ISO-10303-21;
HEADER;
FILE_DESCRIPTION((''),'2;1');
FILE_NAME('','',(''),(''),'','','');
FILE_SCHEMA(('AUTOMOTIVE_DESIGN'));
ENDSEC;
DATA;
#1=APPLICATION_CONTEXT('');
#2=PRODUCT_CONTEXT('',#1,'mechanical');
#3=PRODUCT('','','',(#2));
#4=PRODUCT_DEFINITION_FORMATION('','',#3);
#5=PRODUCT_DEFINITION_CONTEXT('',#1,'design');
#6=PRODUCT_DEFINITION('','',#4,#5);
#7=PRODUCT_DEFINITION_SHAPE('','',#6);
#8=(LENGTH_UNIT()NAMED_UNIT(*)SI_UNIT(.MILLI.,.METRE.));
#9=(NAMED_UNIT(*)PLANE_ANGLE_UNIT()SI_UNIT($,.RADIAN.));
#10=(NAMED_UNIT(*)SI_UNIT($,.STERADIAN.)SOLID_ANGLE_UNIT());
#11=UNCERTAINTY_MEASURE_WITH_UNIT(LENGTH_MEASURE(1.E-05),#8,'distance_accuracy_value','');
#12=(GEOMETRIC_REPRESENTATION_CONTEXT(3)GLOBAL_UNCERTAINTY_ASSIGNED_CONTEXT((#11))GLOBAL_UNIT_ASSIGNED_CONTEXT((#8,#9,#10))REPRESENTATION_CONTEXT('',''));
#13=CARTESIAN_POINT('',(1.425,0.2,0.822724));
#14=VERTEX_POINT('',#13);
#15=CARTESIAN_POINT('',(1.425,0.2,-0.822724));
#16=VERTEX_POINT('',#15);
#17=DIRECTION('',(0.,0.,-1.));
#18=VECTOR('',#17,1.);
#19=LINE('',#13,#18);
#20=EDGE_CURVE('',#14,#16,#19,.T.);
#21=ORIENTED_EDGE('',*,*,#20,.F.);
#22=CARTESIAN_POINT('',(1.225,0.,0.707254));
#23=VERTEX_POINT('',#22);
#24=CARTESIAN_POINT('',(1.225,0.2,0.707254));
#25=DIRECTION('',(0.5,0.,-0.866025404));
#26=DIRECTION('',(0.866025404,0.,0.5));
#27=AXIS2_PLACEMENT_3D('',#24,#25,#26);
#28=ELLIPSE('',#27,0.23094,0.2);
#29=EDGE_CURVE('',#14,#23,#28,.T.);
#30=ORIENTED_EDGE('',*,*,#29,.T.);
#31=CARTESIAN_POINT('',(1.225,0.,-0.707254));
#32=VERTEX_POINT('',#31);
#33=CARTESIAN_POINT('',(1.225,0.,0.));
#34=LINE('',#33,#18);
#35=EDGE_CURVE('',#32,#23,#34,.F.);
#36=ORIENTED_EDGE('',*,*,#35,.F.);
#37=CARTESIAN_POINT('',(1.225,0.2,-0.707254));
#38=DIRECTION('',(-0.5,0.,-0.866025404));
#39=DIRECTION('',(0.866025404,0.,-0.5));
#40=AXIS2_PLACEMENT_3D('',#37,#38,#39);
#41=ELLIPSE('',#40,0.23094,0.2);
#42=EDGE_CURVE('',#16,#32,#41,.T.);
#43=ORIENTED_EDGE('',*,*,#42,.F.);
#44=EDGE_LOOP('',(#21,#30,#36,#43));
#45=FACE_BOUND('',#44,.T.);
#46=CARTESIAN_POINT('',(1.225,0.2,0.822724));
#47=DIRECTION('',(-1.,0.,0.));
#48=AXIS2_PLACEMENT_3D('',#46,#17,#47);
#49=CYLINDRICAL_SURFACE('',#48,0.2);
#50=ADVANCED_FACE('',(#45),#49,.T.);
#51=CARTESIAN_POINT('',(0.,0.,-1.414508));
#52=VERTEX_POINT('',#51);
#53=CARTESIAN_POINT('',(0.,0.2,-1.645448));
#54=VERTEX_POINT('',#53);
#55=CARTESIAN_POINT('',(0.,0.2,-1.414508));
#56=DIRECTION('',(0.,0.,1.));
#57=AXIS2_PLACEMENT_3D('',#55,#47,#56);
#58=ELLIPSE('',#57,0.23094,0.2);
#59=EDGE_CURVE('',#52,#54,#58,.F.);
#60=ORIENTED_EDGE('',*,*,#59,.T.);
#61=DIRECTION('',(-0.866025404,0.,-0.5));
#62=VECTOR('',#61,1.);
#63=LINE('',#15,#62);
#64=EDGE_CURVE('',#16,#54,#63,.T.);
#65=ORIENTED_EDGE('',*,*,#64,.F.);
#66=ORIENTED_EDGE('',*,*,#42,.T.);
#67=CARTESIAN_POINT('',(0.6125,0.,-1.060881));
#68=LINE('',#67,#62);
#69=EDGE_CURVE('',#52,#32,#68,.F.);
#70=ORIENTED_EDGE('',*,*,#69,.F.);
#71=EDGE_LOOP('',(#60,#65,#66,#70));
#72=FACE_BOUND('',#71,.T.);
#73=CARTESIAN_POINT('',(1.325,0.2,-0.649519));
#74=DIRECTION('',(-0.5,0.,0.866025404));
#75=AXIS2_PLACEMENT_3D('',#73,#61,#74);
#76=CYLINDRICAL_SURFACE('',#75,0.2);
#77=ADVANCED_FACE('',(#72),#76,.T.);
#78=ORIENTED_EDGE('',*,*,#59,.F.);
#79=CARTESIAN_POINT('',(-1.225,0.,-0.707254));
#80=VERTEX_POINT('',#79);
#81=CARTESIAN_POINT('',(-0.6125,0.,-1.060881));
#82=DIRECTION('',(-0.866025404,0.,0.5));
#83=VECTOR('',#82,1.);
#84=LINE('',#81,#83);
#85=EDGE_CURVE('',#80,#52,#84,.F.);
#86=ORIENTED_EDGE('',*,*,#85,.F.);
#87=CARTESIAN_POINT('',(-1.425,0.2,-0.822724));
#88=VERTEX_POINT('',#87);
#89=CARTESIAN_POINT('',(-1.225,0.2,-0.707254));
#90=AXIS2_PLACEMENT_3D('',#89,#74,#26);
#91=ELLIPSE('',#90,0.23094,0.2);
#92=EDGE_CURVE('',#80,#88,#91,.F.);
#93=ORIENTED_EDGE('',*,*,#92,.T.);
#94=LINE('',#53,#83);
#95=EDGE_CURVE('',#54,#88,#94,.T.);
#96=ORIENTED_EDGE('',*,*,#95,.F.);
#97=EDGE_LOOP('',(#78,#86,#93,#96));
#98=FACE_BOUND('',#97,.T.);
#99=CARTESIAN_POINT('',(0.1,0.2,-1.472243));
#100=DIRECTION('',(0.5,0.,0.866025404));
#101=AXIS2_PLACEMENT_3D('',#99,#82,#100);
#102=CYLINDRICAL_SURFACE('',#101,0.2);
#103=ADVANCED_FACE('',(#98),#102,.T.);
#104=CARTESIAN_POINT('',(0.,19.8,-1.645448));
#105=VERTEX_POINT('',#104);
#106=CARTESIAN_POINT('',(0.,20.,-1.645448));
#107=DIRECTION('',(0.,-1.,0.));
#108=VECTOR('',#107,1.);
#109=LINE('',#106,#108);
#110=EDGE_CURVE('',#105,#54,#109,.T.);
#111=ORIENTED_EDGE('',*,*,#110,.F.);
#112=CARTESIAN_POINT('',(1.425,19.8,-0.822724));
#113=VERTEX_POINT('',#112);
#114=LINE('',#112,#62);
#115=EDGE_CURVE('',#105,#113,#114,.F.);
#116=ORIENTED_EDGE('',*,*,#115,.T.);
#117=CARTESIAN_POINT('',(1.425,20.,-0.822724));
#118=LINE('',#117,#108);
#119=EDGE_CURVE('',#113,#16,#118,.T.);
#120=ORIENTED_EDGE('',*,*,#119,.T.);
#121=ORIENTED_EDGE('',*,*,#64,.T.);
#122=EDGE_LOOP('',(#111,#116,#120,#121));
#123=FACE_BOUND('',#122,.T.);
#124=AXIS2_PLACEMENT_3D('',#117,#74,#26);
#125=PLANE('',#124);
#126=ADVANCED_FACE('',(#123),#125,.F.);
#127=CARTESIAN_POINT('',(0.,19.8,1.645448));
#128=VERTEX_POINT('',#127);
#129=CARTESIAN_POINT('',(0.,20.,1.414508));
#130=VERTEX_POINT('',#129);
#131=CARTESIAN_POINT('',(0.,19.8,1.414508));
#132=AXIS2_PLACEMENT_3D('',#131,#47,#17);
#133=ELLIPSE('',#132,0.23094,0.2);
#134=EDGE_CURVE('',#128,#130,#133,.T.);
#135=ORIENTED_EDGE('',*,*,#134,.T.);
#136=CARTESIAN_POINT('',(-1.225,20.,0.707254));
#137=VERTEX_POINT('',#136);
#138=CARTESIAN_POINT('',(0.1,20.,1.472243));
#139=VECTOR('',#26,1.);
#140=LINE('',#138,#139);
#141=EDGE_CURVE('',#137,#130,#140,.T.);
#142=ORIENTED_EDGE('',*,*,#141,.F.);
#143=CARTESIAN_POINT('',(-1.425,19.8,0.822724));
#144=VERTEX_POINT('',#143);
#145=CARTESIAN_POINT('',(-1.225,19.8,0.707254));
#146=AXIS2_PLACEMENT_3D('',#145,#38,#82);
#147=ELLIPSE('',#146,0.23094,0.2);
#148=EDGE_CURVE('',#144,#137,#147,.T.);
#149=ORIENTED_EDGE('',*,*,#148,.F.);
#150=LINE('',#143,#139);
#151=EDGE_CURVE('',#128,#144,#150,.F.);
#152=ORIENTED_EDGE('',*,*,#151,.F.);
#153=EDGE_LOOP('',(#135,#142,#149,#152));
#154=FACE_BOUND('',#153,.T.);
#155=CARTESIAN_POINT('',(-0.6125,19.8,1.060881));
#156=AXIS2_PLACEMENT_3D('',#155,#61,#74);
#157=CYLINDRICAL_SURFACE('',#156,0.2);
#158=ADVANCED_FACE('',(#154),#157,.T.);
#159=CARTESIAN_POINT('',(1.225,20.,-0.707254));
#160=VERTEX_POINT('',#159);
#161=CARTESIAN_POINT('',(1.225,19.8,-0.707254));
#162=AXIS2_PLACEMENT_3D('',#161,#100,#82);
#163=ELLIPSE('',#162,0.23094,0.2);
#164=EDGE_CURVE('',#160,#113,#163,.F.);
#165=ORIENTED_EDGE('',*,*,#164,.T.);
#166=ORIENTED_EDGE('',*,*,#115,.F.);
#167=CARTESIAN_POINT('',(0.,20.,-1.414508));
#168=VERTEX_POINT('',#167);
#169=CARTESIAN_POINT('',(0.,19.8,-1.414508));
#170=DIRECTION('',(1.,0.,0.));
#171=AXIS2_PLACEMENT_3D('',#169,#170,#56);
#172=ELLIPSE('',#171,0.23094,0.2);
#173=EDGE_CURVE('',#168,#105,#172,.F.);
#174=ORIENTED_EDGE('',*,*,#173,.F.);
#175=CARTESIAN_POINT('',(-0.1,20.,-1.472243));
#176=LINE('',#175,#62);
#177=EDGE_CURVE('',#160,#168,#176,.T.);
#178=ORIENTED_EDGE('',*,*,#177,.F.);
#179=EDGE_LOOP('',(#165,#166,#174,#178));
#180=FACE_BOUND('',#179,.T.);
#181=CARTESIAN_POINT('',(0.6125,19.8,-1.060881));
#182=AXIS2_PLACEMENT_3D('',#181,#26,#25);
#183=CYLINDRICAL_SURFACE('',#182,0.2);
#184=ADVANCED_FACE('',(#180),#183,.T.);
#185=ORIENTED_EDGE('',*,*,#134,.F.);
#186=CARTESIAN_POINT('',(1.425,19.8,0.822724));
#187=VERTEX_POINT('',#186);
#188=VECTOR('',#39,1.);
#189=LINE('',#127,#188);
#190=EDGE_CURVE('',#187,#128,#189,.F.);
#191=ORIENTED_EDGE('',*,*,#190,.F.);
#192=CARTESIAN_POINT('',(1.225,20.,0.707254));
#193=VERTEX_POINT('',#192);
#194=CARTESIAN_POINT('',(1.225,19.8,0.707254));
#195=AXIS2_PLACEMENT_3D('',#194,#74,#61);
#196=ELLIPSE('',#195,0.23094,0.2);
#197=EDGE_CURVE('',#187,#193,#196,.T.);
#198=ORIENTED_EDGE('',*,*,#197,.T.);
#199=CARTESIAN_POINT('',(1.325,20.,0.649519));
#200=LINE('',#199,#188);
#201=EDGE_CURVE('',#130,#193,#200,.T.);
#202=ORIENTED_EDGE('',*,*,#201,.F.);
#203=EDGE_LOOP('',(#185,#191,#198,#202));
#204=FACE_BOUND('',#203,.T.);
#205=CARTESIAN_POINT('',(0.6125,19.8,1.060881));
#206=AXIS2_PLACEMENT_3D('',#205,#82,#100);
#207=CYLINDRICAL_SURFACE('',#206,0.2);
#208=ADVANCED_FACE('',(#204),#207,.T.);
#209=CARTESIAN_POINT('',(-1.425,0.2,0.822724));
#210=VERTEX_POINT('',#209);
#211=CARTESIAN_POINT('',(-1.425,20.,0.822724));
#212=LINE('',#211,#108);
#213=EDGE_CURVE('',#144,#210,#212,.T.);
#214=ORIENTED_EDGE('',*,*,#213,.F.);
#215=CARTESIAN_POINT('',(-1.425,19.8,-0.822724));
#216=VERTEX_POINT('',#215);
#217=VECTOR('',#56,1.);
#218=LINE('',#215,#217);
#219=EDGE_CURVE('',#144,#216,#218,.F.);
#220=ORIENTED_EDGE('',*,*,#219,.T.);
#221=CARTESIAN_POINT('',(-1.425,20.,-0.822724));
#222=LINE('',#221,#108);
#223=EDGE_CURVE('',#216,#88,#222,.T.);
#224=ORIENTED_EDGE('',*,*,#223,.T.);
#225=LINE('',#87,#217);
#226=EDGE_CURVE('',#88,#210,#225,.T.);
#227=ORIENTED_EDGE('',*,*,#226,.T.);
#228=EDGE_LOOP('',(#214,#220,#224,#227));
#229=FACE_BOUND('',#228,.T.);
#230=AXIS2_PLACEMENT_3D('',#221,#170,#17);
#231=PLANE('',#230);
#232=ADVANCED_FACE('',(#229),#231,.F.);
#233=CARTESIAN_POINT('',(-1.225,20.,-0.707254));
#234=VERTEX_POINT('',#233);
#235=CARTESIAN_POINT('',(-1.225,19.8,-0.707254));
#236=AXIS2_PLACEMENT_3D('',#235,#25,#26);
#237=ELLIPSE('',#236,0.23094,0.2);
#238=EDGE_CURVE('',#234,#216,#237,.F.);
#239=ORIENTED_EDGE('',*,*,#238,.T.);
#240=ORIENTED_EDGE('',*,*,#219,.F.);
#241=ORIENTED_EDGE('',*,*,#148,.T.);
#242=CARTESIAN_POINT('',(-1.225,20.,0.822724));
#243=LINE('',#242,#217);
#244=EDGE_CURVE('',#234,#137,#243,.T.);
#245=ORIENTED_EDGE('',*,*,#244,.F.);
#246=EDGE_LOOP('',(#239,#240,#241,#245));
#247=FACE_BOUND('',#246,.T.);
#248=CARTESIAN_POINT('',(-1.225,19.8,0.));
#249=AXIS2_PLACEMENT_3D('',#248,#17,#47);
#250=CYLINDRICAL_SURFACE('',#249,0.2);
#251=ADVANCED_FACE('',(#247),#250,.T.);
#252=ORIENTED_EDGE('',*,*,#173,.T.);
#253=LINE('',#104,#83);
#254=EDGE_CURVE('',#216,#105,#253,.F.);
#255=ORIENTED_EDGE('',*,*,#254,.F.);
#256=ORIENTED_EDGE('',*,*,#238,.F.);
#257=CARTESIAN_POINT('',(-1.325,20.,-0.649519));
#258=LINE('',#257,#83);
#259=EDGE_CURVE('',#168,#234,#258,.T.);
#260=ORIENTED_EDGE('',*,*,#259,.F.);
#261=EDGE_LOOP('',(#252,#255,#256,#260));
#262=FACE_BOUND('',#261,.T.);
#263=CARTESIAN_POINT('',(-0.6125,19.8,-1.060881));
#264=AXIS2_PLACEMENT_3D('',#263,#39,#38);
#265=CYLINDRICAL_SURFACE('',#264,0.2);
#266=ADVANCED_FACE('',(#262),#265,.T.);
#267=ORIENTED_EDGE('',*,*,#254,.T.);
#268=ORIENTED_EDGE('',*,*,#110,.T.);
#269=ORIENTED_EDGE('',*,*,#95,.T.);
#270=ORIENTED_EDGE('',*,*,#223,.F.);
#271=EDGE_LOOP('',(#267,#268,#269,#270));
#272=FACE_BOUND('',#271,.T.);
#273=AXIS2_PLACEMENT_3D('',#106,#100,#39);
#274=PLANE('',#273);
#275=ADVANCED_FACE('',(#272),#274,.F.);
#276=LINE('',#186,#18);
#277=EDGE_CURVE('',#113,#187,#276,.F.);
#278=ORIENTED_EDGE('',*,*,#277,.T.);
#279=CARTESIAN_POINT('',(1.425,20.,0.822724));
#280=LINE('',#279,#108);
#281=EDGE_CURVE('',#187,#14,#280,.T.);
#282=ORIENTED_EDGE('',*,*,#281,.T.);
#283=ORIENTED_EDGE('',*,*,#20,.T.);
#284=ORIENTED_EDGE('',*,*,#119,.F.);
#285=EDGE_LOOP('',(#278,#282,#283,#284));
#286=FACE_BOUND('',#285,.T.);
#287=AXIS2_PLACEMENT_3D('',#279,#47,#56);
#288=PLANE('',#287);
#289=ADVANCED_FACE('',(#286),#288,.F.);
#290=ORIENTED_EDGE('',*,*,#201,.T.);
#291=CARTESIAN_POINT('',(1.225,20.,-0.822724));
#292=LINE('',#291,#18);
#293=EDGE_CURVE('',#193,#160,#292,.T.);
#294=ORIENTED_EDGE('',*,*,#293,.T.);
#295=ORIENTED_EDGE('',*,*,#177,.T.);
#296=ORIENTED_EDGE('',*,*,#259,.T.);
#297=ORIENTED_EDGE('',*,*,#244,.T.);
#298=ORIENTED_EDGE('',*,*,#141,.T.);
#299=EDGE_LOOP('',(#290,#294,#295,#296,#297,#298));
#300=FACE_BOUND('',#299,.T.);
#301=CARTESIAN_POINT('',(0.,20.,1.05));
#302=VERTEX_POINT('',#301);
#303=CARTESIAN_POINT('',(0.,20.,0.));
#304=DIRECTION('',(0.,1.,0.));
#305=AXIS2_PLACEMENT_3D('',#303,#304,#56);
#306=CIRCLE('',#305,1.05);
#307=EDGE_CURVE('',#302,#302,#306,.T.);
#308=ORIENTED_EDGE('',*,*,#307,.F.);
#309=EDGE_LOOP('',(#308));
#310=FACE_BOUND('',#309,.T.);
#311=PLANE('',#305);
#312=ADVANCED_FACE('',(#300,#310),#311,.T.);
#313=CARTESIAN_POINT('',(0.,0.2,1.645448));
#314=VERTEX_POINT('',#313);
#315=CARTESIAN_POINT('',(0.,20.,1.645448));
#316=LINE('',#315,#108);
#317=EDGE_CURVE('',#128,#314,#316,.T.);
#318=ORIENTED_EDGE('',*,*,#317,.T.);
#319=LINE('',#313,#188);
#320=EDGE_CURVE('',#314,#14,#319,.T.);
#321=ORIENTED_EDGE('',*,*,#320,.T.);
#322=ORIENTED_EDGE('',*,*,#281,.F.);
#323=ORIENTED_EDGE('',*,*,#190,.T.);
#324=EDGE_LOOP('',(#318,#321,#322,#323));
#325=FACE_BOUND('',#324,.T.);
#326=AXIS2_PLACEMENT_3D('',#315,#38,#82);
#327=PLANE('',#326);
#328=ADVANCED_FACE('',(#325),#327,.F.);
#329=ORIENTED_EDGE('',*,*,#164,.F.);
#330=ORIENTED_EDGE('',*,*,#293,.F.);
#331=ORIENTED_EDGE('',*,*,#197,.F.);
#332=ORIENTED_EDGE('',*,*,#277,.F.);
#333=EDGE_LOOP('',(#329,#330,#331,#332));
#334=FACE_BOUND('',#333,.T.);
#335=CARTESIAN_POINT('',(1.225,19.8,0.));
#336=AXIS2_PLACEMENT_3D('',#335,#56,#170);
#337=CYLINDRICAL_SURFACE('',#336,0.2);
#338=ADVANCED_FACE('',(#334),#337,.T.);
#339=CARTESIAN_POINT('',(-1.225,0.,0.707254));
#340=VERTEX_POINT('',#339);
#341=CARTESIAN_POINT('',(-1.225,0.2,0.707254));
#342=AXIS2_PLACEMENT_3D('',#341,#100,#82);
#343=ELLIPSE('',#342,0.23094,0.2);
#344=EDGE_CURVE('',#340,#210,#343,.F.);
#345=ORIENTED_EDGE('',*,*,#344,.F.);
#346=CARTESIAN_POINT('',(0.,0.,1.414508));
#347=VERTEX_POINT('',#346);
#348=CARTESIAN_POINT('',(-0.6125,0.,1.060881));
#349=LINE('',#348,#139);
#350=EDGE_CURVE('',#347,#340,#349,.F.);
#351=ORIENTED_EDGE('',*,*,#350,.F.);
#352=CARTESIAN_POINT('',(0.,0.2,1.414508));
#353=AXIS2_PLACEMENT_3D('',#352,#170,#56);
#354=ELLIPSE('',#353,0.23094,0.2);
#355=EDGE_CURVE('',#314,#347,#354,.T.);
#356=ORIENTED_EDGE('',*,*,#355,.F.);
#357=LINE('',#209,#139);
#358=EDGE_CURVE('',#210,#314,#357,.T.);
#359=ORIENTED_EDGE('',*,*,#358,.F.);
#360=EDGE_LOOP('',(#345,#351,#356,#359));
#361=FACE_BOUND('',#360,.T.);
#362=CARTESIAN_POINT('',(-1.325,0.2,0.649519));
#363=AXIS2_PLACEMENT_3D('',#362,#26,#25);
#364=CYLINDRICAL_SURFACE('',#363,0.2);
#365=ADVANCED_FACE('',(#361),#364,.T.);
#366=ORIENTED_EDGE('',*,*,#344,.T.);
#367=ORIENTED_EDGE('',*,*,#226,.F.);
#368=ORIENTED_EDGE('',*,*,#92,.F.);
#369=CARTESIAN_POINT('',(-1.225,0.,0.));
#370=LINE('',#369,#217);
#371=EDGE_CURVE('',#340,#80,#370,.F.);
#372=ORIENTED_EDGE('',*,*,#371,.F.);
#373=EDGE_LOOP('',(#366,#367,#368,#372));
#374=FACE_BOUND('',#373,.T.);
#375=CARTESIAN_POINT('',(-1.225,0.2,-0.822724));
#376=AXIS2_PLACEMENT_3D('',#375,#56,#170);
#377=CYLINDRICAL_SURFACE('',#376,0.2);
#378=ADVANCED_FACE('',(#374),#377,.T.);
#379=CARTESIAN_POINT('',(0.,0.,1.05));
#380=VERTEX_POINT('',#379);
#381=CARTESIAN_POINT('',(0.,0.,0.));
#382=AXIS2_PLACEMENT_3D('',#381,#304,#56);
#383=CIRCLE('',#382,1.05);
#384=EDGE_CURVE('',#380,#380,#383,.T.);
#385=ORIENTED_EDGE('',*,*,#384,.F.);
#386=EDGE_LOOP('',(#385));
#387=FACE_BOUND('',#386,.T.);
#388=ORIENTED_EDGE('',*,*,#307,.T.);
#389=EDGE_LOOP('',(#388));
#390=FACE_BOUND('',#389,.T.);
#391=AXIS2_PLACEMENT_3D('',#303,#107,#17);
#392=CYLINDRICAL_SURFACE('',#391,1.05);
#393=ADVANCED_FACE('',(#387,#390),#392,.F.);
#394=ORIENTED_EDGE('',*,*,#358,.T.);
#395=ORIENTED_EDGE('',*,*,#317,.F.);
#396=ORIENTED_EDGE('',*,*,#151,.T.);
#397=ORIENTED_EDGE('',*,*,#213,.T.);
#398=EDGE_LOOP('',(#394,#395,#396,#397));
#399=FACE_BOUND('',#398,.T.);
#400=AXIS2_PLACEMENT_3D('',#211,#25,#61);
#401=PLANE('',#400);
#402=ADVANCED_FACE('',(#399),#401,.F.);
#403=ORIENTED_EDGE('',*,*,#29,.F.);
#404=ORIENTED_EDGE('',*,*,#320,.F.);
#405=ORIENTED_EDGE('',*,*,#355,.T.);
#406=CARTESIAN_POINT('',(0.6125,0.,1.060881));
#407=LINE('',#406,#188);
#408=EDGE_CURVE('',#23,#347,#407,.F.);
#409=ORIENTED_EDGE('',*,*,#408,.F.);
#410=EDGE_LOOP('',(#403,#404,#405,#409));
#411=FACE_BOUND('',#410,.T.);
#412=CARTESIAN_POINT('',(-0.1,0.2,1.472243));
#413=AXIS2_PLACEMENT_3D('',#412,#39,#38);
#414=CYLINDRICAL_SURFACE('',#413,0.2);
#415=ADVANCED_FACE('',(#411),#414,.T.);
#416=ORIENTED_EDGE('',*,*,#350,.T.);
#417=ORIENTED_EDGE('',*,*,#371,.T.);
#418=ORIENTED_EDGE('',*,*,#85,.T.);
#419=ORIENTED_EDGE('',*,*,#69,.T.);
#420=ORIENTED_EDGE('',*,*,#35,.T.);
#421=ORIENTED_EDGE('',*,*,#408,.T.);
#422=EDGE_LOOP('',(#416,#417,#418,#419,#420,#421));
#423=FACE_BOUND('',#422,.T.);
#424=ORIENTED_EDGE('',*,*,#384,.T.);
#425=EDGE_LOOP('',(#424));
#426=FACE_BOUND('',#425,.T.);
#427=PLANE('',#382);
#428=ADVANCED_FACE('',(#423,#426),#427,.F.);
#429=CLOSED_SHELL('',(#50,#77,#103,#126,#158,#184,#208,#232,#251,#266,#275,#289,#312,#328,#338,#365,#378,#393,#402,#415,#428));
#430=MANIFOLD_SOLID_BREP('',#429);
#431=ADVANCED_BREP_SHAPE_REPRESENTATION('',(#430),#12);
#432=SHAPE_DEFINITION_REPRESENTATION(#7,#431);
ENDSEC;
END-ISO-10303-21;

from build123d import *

# Parameters (mm, degrees)
SKETCH1_R           = 1.05
BOSS_EXTRUDE1_DEPTH = 20
FILLET1_R           = 0.2


with BuildPart() as part:
    # Sketch1 → Boss-Extrude1 (new body)
    with BuildSketch(Plane(origin=(0, 0, 0), x_dir=(1, 0, 0), z_dir=(0, 1, 0))):
        Polygon((1.425, 0.822724134), (0, 1.645448267), (-1.425, 0.822724134), (-1.425, -0.822724134), (0, -1.645448267), (1.425, -0.822724134), align=None)
        with Locations(Location((0, 0, 0), (0, 0, 270))):
            Circle(SKETCH1_R, mode=Mode.SUBTRACT)
    extrude(amount=BOSS_EXTRUDE1_DEPTH)

    # Fillet1
    fillet1_edges = [part.edges().sort_by_distance(p)[0] for p in [
        (-0.7125, 20, -1.2340862),
        (-1.425, 20, 0),
        (-0.7125, 20, 1.2340862),
        (0.7125, 20, 1.2340862),
        (1.425, 20, 0),
        (0.7125, 0, 1.2340862),
        (-0.7125, 0, 1.2340862),
        (-1.425, 0, 0),
        (-0.7125, 0, -1.2340862),
        (0.7125, 0, -1.2340862),
        (1.425, 0, 0),
        (0.7125, 20, -1.2340862),
    ]]
    fillet(fillet1_edges, radius=FILLET1_R)


solid = part.part
